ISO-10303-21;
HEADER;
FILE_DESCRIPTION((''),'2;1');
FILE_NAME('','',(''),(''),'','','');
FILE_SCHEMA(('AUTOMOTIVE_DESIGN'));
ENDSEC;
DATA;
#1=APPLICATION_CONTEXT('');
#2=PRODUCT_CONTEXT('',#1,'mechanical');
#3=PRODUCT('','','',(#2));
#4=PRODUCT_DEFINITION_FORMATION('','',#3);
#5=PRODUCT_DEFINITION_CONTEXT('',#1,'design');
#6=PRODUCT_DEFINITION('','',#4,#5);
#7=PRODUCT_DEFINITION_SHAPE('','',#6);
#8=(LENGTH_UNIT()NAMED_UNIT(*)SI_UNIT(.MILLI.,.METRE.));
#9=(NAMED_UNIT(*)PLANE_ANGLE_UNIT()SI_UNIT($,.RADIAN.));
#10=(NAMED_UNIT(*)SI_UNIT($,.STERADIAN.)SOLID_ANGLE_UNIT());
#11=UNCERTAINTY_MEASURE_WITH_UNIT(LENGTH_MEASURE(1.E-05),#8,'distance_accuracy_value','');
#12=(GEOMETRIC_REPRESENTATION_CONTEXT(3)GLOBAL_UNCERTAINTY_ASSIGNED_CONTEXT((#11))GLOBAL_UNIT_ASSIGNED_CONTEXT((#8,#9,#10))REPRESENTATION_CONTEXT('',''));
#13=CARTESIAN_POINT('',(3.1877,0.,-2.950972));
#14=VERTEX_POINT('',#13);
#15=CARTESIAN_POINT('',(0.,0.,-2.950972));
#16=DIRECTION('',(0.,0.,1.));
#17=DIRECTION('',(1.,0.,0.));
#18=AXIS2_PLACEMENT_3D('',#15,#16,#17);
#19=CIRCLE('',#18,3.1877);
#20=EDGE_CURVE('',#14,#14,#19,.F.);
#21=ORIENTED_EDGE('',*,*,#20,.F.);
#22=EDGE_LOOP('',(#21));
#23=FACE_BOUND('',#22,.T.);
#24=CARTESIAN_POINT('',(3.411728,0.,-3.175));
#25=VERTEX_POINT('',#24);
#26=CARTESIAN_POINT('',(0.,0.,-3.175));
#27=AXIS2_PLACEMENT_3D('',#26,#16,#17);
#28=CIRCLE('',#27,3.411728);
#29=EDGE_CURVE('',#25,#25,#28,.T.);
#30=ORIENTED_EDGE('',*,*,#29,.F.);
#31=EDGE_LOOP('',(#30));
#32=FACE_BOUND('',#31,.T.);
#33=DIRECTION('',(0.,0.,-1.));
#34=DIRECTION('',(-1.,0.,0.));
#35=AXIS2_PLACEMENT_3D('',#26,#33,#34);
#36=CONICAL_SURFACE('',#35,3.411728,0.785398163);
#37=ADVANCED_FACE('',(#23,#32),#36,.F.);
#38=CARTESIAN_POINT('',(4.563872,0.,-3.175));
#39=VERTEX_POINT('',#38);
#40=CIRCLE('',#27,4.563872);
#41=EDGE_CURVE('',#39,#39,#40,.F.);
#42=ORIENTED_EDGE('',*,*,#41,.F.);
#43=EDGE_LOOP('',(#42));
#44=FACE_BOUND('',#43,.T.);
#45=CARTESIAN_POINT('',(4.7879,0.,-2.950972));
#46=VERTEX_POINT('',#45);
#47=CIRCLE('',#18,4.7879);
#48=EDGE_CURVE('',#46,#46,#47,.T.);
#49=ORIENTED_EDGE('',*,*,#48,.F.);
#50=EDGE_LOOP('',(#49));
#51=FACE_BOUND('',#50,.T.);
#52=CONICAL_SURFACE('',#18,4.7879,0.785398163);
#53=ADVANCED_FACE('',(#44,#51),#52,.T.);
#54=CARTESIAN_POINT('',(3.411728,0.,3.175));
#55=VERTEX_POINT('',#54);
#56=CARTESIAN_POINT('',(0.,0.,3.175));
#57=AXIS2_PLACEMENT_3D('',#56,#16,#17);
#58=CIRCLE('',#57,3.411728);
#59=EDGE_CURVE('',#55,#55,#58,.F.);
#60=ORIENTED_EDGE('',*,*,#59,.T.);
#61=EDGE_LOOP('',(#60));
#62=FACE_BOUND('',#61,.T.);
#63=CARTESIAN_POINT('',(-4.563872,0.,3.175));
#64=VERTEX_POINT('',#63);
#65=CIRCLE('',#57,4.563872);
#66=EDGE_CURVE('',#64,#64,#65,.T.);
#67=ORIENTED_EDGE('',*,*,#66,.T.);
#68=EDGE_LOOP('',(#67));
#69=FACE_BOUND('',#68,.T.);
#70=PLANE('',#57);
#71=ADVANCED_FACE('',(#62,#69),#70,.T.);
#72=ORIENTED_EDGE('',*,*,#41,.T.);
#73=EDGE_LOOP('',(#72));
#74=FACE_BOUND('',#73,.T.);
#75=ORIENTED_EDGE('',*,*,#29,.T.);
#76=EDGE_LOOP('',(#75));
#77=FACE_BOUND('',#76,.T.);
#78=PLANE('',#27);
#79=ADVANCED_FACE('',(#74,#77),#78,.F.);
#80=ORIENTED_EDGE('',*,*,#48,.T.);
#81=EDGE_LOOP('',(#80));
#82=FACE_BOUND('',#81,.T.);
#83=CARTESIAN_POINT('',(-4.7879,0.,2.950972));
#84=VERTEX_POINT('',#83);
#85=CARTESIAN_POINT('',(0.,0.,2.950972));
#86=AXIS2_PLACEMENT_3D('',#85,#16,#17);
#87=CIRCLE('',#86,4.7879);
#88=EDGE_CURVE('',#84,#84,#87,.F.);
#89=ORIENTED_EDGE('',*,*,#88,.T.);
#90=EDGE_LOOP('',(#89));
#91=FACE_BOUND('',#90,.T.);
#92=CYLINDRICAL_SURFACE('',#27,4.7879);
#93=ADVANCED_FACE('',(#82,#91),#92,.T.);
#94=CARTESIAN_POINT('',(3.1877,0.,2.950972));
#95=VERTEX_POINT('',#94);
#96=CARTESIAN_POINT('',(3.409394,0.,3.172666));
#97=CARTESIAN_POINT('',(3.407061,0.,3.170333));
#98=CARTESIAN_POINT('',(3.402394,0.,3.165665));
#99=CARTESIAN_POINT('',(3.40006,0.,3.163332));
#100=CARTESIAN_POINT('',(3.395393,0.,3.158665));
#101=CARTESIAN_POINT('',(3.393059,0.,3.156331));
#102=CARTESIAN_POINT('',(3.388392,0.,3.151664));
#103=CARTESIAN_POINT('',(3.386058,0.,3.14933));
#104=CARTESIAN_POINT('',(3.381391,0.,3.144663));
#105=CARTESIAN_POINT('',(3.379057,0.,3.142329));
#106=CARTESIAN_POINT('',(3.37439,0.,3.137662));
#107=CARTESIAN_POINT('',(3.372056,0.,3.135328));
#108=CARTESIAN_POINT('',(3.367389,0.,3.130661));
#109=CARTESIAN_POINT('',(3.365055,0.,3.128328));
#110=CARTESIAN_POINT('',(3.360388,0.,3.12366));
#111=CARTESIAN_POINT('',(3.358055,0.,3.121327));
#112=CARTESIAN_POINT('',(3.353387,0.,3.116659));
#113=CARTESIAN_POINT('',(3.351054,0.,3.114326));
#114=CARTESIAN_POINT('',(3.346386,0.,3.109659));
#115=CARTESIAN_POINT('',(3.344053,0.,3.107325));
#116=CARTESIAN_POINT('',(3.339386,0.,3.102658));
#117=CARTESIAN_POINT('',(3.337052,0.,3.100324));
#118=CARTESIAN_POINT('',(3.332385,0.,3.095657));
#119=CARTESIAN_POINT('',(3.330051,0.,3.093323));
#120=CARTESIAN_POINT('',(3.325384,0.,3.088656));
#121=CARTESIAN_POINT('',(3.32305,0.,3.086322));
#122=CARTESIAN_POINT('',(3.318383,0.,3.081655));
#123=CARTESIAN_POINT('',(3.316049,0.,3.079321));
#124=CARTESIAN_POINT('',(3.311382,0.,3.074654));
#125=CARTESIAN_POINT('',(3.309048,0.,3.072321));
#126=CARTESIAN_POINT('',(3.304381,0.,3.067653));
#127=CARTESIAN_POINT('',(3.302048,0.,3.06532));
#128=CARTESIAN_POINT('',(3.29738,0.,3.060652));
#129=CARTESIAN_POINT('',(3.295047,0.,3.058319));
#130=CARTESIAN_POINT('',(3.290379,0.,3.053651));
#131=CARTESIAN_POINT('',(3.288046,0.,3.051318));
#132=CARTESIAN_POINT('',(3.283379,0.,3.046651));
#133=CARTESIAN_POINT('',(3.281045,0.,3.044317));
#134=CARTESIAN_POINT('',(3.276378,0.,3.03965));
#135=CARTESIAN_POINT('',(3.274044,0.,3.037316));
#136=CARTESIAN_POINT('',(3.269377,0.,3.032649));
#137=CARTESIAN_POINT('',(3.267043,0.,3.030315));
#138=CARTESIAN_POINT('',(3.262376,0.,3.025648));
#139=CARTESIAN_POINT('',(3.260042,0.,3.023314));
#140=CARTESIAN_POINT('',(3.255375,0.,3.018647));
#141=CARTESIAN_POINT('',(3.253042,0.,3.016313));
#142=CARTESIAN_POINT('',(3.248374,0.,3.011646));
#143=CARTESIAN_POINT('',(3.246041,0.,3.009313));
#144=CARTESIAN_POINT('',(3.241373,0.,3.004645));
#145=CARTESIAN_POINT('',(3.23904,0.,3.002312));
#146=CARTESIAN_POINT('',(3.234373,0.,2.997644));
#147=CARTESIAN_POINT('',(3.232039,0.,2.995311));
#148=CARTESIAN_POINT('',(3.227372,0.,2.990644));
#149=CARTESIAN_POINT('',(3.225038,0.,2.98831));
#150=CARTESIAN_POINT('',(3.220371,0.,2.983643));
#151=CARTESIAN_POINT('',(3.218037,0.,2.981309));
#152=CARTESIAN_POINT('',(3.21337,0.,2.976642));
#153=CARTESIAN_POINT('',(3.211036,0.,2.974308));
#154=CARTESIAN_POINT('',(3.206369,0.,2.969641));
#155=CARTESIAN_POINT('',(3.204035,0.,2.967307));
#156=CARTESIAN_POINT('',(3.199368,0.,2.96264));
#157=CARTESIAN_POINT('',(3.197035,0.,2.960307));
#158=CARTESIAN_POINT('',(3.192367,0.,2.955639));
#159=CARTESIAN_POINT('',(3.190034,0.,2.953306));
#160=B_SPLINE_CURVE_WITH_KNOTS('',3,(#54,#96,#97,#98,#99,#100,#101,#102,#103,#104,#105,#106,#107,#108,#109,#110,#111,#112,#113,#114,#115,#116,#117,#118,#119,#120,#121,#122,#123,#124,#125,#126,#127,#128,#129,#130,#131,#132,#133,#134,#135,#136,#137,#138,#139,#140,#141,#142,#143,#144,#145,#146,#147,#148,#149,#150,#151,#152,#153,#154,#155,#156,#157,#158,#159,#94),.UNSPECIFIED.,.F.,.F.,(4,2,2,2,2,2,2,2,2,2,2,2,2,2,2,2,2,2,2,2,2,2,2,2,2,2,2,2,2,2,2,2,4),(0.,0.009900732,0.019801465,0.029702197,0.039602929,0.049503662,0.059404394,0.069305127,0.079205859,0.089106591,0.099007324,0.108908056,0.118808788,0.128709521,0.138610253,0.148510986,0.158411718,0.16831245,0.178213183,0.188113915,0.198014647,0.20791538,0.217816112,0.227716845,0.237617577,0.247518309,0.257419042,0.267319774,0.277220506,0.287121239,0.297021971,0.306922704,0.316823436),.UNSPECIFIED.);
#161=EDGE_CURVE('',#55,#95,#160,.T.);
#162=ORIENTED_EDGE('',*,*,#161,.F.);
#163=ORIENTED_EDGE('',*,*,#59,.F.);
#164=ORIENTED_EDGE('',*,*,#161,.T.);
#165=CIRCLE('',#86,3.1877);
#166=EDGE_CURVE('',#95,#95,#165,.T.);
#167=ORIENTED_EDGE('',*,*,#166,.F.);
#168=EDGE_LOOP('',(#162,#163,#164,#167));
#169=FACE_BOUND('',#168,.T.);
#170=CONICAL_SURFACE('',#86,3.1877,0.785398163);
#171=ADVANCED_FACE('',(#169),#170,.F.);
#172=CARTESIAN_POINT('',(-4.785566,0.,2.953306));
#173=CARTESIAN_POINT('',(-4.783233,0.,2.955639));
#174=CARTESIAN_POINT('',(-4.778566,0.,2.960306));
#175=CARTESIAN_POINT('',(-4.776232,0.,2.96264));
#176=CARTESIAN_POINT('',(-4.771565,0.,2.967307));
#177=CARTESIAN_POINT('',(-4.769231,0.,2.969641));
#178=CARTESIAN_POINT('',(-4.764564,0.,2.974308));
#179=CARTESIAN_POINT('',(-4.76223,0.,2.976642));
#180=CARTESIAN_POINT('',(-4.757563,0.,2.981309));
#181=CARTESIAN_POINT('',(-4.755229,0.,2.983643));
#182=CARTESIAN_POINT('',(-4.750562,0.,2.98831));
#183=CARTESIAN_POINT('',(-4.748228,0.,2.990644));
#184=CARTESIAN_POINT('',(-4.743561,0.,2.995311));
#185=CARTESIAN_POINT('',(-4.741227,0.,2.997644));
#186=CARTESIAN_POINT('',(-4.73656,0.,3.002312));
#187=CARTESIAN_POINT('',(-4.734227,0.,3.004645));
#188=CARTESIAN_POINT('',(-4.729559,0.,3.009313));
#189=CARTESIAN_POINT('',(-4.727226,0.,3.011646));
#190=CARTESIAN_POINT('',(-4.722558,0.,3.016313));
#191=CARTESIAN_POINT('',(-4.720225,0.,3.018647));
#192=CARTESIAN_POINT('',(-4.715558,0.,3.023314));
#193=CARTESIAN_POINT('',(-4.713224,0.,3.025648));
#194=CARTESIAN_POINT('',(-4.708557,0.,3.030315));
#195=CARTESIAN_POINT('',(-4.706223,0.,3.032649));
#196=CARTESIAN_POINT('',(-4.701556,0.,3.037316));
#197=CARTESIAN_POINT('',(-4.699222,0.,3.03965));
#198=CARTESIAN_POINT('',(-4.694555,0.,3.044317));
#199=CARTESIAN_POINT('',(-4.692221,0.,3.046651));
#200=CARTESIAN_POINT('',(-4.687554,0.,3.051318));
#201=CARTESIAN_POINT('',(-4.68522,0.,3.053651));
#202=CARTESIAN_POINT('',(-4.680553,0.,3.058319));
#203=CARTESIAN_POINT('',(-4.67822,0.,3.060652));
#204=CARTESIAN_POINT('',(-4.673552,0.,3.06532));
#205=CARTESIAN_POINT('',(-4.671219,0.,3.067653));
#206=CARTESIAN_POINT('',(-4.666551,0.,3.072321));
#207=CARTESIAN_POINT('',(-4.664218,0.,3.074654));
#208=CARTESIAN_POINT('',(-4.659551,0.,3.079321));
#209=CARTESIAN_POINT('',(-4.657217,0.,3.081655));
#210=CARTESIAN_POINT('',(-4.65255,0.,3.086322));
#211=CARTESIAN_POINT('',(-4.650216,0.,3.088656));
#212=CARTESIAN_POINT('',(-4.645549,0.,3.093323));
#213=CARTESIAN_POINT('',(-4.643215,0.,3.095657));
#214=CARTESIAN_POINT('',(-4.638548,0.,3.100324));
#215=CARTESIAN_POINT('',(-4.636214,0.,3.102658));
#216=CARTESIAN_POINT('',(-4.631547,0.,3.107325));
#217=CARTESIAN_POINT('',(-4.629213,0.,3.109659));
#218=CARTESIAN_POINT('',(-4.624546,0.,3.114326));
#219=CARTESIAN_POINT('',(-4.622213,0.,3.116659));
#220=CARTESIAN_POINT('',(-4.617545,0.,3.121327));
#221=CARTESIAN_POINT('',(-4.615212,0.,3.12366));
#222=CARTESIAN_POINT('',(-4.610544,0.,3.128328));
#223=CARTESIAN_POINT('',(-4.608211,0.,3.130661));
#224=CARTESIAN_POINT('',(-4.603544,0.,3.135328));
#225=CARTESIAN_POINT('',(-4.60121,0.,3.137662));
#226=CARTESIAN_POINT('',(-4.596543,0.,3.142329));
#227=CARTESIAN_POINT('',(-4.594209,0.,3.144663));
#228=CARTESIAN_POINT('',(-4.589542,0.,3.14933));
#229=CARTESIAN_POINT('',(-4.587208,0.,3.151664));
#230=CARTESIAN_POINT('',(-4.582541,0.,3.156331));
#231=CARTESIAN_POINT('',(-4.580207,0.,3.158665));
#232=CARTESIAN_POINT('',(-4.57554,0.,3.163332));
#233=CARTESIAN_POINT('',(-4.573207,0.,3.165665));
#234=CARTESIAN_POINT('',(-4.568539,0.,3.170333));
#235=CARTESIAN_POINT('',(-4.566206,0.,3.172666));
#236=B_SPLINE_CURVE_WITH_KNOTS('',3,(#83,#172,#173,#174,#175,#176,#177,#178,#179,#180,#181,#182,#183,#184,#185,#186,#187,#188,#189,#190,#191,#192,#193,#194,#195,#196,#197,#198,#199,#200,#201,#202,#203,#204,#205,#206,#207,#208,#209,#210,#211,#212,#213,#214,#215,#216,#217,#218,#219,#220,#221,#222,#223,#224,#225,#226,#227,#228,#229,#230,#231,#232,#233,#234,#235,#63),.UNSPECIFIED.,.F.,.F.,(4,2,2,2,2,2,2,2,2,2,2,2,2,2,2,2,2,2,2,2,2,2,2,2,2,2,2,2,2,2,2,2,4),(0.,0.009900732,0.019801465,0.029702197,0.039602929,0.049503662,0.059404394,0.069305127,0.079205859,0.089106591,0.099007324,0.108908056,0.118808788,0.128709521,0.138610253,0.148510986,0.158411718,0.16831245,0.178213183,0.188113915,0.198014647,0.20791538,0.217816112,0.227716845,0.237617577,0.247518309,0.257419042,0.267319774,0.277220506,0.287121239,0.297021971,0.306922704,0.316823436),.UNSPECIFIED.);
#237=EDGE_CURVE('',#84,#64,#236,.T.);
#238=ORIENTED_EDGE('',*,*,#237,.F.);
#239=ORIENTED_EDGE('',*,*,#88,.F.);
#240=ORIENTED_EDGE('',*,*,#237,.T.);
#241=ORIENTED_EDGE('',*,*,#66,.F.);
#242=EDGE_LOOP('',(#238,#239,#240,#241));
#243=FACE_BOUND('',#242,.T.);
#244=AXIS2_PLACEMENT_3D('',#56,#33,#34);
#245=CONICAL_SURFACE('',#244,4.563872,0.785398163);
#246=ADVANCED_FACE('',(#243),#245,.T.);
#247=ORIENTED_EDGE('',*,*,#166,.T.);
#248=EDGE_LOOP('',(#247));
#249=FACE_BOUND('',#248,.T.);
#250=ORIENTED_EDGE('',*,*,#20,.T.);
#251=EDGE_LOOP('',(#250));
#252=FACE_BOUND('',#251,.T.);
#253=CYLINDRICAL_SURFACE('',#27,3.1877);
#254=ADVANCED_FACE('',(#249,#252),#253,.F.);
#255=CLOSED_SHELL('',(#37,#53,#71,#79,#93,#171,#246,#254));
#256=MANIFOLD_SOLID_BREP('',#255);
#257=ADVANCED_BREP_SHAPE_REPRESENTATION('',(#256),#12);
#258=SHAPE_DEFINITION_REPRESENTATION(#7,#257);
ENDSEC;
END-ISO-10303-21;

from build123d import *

# Parameters (mm, degrees)
BOSS_EXTRUDE1_DEPTH      = 3.175
BOSS_EXTRUDE1_DEPTH_BACK = 3.175
SKETCH14_R               = 4.7879
SKETCH14_R_2             = 3.1877
CHAMFER1_SIZE            = 0.224028


with BuildPart() as part:
    # Sketch14 → Boss-Extrude1 (new, two sides: drawn at the far end of the back side and taken through both)
    with BuildSketch(Plane.XY.offset(-BOSS_EXTRUDE1_DEPTH_BACK)):
        Circle(SKETCH14_R)
        Circle(SKETCH14_R_2, mode=Mode.SUBTRACT)
    extrude(amount=BOSS_EXTRUDE1_DEPTH + BOSS_EXTRUDE1_DEPTH_BACK)

    # Chamfer1
    chamfer1_edges = [part.edges().sort_by_distance(p)[0] for p in [
        (-4.7879, 0, -3.175),
        (-3.1877, 0, -3.175),
        (-4.7879, 0, 3.175),
        (-3.1877, 0, 3.175),
    ]]
    chamfer(chamfer1_edges, length=CHAMFER1_SIZE)


solid = part.part
